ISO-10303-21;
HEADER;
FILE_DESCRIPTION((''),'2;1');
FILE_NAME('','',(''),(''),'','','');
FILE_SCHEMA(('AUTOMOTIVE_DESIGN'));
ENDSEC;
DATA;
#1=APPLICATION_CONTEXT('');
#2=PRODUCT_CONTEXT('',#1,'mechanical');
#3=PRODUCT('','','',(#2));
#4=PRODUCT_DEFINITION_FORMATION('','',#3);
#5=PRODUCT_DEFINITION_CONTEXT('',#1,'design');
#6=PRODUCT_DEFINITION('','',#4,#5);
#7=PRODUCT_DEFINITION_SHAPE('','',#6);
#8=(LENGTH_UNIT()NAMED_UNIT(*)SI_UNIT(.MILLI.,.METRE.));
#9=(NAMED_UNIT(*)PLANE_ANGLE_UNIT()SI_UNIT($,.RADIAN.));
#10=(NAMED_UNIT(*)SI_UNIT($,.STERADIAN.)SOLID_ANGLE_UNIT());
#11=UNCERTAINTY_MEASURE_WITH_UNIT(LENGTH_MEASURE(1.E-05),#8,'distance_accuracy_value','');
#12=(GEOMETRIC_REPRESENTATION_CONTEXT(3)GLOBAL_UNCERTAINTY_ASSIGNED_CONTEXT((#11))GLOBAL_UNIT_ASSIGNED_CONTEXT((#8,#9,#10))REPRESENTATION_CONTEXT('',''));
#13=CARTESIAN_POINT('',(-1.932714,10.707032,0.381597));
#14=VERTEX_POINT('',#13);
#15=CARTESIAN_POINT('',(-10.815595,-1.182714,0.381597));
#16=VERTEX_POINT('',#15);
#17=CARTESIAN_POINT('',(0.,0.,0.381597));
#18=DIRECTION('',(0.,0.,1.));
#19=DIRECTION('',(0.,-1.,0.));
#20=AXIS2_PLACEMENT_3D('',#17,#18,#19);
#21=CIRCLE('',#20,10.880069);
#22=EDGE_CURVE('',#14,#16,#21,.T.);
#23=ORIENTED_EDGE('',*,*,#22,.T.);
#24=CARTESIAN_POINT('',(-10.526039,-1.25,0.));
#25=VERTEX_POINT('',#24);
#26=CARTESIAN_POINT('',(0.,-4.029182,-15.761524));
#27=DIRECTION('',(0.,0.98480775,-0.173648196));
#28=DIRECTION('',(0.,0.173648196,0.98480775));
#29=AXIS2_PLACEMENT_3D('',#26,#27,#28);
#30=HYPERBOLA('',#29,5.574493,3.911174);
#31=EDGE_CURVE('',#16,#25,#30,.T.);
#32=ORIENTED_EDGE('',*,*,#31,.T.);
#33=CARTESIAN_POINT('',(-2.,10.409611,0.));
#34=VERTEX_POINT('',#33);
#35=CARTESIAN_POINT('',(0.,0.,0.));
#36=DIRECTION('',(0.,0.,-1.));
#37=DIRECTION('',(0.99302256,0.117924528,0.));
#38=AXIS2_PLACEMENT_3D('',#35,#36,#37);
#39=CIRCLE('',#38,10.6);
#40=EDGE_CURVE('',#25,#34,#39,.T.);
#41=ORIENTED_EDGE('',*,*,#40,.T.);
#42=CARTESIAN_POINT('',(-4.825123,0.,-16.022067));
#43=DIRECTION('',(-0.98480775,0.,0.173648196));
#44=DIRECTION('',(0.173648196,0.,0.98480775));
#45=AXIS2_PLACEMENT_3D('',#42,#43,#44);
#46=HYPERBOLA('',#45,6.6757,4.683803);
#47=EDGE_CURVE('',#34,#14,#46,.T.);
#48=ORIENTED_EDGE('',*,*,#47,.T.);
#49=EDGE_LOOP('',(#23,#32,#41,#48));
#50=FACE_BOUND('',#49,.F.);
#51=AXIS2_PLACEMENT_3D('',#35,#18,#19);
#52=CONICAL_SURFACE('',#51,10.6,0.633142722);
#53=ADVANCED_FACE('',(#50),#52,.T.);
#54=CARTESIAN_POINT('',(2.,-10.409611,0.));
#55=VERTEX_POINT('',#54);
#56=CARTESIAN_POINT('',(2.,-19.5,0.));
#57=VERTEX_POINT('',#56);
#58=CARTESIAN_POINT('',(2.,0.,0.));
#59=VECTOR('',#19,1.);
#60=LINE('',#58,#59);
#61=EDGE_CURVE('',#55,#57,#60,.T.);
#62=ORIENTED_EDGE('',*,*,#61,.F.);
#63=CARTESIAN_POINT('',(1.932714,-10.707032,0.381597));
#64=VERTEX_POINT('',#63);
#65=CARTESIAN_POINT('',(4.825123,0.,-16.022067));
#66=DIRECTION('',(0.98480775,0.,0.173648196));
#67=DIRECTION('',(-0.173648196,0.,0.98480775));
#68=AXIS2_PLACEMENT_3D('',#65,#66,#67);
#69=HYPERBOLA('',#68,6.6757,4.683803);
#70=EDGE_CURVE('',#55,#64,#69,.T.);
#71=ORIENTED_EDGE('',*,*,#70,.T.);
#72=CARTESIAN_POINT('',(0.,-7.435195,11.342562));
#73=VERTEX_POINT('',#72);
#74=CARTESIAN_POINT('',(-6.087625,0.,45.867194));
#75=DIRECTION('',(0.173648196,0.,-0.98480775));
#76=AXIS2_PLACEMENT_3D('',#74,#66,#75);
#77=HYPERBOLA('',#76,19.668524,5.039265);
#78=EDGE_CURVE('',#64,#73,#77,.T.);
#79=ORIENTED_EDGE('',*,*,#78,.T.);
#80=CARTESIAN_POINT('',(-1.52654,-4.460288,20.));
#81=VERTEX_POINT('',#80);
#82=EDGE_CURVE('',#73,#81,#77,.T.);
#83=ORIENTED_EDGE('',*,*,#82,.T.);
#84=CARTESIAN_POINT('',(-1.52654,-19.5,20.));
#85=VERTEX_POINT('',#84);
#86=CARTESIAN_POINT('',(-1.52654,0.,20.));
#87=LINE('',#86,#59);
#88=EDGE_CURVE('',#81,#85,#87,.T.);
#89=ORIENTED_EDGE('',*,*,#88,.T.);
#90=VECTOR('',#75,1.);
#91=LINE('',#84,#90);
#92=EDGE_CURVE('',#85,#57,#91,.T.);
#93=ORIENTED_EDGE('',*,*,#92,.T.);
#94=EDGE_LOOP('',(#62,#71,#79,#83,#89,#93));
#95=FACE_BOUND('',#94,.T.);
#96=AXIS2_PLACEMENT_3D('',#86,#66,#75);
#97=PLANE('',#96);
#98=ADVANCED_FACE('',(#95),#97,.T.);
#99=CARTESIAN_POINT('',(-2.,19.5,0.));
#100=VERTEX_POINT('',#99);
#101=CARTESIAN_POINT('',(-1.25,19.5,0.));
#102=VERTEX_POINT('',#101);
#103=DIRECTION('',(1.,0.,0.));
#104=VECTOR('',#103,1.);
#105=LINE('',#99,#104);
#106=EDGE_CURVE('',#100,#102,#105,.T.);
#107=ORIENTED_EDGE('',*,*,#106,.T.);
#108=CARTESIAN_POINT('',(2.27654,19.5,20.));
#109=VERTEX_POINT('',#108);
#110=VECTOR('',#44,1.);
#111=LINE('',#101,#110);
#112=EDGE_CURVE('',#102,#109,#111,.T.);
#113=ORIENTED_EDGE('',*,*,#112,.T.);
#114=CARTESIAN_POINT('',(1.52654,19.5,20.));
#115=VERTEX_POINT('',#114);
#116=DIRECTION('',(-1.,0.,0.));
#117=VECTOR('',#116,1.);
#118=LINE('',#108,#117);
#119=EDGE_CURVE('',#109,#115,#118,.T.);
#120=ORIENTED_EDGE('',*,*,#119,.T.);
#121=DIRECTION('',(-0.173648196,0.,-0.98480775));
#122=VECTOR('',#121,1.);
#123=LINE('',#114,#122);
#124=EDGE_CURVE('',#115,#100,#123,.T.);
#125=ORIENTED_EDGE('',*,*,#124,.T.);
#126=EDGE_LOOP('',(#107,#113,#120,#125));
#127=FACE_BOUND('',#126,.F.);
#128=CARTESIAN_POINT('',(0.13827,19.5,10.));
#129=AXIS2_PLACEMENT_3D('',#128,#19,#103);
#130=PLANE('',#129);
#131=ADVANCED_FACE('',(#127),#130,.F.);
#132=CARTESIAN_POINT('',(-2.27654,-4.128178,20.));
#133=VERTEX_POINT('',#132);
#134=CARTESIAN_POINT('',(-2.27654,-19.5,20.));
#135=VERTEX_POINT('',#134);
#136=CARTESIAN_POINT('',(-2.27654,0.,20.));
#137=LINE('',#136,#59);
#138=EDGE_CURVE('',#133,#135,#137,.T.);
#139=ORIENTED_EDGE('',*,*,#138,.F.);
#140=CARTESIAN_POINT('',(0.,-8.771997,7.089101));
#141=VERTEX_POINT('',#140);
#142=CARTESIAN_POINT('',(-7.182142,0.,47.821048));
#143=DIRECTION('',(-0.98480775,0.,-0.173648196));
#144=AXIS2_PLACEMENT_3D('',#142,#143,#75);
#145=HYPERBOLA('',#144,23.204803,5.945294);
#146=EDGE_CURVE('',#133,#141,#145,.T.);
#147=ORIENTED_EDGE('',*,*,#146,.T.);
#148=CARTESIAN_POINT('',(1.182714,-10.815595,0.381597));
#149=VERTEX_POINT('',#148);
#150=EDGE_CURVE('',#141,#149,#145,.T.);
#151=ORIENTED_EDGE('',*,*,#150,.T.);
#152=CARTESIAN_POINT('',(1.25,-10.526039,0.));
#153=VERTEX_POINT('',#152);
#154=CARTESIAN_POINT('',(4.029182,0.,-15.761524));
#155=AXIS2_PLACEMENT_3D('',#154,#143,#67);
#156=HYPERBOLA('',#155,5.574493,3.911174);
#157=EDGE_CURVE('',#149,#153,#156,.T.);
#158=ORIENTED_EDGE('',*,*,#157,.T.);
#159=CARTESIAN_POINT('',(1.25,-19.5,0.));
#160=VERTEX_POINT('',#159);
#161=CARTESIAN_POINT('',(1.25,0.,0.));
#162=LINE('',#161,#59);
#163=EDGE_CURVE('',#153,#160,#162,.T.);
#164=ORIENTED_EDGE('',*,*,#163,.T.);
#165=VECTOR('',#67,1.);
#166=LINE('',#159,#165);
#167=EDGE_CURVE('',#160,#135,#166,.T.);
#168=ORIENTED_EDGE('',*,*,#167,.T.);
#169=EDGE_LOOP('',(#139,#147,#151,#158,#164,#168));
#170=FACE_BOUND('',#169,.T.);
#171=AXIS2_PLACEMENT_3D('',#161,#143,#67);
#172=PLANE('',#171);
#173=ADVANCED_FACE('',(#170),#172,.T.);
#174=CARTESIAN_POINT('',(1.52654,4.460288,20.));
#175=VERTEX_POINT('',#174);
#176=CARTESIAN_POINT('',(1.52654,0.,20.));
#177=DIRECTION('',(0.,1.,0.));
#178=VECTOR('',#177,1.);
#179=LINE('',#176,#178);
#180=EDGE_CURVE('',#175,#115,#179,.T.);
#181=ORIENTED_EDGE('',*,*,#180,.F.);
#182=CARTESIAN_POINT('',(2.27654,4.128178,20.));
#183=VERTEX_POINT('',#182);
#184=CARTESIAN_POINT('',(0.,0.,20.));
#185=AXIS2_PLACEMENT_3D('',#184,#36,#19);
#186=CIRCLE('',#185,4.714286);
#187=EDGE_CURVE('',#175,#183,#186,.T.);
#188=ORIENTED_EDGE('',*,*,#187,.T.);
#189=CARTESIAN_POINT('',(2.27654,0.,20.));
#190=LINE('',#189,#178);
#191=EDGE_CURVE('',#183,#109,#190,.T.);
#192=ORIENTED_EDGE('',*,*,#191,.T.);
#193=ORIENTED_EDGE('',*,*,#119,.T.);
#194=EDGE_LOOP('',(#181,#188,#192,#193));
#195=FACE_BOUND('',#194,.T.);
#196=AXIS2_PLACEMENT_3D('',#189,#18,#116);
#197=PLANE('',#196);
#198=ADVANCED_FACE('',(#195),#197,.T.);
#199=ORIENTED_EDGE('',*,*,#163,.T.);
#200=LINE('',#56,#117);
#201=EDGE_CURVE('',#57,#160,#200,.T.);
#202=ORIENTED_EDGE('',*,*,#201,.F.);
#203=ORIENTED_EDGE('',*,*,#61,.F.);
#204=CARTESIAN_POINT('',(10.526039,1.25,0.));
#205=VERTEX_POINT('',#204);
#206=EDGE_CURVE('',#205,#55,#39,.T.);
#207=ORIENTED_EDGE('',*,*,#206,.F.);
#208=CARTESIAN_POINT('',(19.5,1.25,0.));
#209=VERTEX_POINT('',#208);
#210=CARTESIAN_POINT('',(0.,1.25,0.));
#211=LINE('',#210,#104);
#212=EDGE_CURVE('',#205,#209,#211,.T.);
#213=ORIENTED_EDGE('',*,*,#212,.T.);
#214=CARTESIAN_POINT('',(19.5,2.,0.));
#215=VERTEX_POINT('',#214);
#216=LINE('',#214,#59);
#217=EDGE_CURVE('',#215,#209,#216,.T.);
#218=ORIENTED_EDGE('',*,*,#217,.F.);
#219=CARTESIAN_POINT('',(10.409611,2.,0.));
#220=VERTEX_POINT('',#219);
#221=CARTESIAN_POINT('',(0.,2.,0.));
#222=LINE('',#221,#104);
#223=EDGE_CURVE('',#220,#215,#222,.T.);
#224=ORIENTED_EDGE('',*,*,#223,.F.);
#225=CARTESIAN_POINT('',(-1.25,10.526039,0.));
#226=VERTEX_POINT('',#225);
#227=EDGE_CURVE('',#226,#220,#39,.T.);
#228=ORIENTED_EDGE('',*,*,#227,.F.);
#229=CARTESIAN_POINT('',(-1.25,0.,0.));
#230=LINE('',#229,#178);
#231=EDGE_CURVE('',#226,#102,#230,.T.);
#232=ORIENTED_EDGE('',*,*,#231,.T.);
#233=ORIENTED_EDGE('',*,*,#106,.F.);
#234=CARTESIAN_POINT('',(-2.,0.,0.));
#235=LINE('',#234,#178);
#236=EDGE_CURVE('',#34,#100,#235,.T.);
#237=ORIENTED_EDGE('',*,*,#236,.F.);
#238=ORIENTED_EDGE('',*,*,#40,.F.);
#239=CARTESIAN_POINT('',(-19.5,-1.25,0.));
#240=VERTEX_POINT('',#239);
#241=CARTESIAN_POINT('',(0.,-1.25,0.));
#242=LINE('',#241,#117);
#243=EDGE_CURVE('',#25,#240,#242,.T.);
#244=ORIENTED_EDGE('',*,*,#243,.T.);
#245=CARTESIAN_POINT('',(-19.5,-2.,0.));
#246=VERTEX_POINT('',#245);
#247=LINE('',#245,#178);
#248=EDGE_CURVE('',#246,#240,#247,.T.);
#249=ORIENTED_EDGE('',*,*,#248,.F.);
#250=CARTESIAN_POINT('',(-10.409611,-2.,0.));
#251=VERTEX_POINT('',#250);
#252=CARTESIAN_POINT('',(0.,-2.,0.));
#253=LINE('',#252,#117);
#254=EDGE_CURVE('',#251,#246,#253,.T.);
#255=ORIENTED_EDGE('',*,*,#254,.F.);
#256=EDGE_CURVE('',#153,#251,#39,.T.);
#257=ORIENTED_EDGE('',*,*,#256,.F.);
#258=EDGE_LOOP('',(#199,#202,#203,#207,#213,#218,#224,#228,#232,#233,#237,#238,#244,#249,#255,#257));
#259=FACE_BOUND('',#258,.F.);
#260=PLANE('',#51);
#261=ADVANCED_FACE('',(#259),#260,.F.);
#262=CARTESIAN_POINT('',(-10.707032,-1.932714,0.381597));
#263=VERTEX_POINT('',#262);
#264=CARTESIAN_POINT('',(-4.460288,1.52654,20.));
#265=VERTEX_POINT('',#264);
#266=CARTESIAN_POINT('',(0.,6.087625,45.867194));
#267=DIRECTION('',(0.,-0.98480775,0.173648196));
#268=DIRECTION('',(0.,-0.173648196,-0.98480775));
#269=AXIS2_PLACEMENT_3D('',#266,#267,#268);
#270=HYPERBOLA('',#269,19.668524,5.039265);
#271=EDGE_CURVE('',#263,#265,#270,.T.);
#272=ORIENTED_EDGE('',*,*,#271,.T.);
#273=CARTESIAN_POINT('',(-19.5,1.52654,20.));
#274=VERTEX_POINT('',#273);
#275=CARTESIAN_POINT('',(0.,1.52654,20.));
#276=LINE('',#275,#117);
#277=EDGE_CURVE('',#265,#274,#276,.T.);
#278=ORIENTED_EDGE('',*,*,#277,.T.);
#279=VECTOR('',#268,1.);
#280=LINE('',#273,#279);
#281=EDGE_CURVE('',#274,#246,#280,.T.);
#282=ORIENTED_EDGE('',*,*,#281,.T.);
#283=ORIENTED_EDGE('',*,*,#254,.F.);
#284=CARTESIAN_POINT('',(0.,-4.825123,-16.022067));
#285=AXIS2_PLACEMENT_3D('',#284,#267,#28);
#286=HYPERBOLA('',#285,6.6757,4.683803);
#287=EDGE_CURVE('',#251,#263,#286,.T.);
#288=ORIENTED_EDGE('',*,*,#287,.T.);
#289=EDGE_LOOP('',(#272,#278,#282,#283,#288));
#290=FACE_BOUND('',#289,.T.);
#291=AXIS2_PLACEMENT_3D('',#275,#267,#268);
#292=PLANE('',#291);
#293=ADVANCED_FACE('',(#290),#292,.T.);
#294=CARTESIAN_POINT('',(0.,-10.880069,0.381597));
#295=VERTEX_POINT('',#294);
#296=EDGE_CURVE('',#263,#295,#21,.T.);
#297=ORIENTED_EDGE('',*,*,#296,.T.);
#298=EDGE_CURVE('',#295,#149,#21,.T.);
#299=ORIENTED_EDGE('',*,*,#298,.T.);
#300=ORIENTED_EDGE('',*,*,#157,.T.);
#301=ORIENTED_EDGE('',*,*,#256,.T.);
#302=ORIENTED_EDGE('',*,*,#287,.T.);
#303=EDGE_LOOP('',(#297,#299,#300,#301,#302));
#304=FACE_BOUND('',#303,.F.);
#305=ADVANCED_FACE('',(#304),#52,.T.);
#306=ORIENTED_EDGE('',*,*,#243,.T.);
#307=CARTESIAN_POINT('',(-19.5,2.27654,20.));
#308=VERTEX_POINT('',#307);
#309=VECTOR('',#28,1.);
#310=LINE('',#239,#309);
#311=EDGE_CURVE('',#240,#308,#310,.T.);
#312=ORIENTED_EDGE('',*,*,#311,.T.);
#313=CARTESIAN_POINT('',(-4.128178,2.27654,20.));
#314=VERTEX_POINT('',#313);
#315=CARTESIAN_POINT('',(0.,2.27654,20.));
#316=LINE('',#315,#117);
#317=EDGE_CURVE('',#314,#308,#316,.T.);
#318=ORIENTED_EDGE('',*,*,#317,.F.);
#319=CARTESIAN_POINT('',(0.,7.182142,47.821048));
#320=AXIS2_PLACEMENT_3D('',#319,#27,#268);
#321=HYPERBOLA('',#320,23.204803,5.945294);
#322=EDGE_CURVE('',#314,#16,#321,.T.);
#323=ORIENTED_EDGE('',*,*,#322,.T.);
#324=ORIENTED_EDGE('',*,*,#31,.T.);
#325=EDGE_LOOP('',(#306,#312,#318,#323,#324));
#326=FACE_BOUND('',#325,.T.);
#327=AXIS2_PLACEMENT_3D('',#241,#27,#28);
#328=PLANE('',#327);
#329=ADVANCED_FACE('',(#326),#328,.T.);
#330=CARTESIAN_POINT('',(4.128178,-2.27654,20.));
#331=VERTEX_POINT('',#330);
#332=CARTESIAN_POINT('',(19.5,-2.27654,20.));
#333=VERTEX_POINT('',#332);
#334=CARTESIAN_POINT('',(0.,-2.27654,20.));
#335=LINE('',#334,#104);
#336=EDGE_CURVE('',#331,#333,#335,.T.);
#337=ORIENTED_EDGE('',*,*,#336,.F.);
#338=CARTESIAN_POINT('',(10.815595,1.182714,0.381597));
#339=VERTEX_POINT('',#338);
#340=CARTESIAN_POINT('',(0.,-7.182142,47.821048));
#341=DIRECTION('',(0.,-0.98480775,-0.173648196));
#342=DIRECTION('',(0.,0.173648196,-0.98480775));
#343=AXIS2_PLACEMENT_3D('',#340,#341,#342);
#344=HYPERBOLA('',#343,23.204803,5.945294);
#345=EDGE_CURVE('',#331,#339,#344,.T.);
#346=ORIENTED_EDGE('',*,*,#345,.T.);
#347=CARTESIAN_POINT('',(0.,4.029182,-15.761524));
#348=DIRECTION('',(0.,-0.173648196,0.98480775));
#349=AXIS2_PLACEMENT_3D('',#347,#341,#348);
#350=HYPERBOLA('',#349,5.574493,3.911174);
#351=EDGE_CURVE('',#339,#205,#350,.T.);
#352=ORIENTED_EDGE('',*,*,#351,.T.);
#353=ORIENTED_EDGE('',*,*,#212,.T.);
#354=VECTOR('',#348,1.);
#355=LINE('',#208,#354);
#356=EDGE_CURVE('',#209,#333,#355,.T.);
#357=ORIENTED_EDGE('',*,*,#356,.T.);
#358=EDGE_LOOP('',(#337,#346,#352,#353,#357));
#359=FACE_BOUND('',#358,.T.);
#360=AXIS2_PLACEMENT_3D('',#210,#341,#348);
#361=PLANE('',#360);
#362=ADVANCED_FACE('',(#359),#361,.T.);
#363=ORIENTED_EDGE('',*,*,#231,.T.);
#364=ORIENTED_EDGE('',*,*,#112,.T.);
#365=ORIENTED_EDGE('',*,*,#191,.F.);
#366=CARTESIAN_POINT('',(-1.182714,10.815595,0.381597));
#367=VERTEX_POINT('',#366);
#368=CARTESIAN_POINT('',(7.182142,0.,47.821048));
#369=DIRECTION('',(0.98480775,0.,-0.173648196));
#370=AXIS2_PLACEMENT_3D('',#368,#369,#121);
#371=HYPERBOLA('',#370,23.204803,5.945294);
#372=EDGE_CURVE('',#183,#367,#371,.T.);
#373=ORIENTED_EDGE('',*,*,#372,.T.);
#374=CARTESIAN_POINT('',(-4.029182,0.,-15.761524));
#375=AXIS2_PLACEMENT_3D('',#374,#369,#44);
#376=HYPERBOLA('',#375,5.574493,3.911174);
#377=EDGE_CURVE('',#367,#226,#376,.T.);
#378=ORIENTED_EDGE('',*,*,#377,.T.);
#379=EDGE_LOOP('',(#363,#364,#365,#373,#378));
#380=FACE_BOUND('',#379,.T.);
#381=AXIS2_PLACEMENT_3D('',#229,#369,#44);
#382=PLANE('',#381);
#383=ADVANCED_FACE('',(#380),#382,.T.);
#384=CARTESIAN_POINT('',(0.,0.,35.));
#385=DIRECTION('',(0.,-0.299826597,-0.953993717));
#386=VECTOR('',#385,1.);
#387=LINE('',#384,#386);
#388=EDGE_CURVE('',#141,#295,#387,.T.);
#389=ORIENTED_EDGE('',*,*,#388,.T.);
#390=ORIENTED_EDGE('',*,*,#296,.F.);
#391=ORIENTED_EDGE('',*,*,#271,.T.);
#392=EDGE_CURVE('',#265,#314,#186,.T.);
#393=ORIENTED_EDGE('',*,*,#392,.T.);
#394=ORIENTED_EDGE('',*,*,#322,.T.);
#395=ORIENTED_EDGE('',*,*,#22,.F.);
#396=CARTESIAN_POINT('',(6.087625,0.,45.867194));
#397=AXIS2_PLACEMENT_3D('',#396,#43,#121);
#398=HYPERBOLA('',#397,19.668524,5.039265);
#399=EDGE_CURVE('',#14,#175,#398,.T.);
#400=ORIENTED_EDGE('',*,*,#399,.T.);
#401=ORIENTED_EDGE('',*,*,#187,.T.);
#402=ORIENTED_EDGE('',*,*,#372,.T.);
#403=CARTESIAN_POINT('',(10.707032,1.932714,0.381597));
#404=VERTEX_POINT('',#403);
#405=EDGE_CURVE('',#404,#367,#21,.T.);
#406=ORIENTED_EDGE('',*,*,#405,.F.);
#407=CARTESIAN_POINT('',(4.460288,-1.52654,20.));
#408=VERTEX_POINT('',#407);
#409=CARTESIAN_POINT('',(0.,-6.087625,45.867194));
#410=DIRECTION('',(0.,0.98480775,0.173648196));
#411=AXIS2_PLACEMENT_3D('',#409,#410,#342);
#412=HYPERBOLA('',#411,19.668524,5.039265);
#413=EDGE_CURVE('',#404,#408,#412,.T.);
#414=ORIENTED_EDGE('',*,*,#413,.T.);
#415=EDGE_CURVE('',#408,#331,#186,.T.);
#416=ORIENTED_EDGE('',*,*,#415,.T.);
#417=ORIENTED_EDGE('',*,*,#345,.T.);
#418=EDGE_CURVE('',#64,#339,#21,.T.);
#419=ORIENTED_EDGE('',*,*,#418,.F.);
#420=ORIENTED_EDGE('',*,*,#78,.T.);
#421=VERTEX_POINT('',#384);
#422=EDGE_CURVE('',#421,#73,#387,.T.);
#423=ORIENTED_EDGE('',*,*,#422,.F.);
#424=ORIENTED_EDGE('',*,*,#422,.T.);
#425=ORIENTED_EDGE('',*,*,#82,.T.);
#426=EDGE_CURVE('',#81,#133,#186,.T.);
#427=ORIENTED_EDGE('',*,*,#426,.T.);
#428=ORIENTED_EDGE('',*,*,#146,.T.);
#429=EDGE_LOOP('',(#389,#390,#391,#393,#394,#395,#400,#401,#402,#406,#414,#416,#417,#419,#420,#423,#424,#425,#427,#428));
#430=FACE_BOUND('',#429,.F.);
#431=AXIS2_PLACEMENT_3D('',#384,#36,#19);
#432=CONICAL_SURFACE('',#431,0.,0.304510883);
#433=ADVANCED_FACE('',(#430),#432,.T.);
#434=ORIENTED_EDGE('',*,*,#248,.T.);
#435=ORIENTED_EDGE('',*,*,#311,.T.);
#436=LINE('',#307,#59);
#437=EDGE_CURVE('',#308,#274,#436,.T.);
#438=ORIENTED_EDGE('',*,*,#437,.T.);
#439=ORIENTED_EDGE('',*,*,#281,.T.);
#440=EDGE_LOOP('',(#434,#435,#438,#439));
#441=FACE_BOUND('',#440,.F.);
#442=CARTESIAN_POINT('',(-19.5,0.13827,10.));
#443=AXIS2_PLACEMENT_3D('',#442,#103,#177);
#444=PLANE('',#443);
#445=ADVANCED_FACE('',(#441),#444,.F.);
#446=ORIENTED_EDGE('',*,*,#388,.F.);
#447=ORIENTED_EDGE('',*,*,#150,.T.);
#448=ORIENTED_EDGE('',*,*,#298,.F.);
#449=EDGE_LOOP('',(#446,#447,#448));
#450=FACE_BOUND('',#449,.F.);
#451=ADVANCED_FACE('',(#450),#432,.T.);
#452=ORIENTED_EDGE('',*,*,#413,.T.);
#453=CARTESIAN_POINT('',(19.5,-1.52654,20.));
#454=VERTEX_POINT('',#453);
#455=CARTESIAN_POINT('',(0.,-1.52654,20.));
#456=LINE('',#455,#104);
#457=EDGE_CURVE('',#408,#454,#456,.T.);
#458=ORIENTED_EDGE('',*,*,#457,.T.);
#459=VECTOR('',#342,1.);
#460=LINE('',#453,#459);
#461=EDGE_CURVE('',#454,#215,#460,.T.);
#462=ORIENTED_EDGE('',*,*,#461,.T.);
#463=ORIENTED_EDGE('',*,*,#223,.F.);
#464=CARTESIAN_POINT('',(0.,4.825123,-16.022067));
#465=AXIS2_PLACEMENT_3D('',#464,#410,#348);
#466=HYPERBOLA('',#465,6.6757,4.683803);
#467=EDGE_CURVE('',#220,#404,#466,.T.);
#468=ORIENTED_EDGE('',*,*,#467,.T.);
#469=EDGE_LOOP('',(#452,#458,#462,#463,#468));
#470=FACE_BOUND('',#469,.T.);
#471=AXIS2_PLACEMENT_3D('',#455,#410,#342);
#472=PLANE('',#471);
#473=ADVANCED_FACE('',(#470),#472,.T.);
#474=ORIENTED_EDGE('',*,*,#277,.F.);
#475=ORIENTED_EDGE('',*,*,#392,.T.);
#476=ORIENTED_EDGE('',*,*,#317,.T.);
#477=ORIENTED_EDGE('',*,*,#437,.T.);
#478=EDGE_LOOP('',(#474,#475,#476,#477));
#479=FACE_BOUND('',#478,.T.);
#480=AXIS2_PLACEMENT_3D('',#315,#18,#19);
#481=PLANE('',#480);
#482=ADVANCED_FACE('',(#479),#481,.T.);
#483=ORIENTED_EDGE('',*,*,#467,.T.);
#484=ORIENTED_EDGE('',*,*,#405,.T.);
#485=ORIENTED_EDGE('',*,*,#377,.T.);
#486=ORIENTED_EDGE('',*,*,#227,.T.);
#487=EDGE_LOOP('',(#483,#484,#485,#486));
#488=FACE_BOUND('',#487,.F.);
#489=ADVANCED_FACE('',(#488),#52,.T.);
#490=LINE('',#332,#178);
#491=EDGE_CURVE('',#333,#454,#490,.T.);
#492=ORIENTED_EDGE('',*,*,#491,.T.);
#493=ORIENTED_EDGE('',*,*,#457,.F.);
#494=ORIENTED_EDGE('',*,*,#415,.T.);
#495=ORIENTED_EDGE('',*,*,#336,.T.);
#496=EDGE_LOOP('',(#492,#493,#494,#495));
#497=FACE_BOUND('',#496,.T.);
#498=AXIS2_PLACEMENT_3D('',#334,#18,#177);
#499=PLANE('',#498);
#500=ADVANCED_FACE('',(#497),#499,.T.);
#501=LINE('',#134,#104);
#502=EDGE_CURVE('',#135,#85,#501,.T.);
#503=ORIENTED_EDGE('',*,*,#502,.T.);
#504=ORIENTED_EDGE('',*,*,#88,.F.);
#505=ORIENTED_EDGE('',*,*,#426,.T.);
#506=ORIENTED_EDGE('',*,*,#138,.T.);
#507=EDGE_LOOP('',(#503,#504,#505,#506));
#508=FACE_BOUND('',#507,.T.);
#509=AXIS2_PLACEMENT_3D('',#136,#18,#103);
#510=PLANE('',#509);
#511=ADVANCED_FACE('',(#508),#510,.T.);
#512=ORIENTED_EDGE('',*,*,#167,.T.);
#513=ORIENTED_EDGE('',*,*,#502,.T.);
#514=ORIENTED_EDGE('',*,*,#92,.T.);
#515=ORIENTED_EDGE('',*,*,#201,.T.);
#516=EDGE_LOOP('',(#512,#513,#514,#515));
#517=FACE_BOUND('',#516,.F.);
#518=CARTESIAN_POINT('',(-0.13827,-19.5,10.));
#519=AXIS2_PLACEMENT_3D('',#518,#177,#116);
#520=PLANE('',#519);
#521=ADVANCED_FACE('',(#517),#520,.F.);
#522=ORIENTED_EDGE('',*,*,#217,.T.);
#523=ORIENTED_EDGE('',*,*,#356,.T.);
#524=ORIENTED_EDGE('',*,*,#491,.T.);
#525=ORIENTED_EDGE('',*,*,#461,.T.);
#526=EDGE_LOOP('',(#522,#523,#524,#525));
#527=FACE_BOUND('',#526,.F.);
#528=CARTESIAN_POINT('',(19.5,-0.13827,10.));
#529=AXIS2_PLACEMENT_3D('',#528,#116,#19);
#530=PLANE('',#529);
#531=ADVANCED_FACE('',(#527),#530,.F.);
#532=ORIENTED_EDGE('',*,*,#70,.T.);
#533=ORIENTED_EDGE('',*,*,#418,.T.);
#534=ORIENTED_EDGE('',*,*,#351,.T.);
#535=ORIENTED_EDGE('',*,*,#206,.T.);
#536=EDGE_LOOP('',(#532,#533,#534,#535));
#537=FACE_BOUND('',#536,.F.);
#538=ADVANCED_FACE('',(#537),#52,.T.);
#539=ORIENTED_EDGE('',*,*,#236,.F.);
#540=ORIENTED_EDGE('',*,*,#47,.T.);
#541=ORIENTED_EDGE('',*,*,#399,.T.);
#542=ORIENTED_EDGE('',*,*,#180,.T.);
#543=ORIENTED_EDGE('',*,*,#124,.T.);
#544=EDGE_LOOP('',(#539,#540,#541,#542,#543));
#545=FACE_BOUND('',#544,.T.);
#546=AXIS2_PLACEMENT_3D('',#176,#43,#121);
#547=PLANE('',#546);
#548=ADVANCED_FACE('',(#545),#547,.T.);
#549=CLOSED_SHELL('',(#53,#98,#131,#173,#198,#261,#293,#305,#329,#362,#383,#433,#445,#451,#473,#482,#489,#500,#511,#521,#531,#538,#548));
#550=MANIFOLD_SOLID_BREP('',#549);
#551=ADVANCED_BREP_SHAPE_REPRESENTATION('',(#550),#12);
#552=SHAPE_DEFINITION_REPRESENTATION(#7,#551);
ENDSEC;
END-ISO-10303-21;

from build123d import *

# Parameters (mm, degrees)
CHAMFER_SIZE          = 0.4
PAD001_DEPTH          = 19.5
POLARPATTERN001_COUNT = 4


with BuildPart() as part:
    # Sketch002 → Revolution (revolve)
    with BuildSketch(Plane.YZ):
        Polygon((0, 35), (-11, 0), (0, 0), align=None)
    revolve(axis=Axis((0, 0, 0), (0, 0, 1)))

    # Chamfer
    chamfer_edges = [part.edges().sort_by_distance(p)[0] for p in [
        (0, 11, 0),
    ]]
    chamfer(chamfer_edges, length=CHAMFER_SIZE)

    # Sketch005 → Pad001 (new body)
    with BuildSketch(Plane.YZ):
        Polygon((1.25, 0), (-2.27654, 20), (-1.52654, 20), (2, 0), align=None)
    pad001 = extrude(amount=PAD001_DEPTH)

    # PolarPattern001: Pad001 ×4 about axis
    polarpattern001_axis = Axis((0, 0, 0), (0, 0, 1))
    for i in range(1, POLARPATTERN001_COUNT):
        add(pad001.rotate(polarpattern001_axis, i * 360 / POLARPATTERN001_COUNT))


solid = part.part
